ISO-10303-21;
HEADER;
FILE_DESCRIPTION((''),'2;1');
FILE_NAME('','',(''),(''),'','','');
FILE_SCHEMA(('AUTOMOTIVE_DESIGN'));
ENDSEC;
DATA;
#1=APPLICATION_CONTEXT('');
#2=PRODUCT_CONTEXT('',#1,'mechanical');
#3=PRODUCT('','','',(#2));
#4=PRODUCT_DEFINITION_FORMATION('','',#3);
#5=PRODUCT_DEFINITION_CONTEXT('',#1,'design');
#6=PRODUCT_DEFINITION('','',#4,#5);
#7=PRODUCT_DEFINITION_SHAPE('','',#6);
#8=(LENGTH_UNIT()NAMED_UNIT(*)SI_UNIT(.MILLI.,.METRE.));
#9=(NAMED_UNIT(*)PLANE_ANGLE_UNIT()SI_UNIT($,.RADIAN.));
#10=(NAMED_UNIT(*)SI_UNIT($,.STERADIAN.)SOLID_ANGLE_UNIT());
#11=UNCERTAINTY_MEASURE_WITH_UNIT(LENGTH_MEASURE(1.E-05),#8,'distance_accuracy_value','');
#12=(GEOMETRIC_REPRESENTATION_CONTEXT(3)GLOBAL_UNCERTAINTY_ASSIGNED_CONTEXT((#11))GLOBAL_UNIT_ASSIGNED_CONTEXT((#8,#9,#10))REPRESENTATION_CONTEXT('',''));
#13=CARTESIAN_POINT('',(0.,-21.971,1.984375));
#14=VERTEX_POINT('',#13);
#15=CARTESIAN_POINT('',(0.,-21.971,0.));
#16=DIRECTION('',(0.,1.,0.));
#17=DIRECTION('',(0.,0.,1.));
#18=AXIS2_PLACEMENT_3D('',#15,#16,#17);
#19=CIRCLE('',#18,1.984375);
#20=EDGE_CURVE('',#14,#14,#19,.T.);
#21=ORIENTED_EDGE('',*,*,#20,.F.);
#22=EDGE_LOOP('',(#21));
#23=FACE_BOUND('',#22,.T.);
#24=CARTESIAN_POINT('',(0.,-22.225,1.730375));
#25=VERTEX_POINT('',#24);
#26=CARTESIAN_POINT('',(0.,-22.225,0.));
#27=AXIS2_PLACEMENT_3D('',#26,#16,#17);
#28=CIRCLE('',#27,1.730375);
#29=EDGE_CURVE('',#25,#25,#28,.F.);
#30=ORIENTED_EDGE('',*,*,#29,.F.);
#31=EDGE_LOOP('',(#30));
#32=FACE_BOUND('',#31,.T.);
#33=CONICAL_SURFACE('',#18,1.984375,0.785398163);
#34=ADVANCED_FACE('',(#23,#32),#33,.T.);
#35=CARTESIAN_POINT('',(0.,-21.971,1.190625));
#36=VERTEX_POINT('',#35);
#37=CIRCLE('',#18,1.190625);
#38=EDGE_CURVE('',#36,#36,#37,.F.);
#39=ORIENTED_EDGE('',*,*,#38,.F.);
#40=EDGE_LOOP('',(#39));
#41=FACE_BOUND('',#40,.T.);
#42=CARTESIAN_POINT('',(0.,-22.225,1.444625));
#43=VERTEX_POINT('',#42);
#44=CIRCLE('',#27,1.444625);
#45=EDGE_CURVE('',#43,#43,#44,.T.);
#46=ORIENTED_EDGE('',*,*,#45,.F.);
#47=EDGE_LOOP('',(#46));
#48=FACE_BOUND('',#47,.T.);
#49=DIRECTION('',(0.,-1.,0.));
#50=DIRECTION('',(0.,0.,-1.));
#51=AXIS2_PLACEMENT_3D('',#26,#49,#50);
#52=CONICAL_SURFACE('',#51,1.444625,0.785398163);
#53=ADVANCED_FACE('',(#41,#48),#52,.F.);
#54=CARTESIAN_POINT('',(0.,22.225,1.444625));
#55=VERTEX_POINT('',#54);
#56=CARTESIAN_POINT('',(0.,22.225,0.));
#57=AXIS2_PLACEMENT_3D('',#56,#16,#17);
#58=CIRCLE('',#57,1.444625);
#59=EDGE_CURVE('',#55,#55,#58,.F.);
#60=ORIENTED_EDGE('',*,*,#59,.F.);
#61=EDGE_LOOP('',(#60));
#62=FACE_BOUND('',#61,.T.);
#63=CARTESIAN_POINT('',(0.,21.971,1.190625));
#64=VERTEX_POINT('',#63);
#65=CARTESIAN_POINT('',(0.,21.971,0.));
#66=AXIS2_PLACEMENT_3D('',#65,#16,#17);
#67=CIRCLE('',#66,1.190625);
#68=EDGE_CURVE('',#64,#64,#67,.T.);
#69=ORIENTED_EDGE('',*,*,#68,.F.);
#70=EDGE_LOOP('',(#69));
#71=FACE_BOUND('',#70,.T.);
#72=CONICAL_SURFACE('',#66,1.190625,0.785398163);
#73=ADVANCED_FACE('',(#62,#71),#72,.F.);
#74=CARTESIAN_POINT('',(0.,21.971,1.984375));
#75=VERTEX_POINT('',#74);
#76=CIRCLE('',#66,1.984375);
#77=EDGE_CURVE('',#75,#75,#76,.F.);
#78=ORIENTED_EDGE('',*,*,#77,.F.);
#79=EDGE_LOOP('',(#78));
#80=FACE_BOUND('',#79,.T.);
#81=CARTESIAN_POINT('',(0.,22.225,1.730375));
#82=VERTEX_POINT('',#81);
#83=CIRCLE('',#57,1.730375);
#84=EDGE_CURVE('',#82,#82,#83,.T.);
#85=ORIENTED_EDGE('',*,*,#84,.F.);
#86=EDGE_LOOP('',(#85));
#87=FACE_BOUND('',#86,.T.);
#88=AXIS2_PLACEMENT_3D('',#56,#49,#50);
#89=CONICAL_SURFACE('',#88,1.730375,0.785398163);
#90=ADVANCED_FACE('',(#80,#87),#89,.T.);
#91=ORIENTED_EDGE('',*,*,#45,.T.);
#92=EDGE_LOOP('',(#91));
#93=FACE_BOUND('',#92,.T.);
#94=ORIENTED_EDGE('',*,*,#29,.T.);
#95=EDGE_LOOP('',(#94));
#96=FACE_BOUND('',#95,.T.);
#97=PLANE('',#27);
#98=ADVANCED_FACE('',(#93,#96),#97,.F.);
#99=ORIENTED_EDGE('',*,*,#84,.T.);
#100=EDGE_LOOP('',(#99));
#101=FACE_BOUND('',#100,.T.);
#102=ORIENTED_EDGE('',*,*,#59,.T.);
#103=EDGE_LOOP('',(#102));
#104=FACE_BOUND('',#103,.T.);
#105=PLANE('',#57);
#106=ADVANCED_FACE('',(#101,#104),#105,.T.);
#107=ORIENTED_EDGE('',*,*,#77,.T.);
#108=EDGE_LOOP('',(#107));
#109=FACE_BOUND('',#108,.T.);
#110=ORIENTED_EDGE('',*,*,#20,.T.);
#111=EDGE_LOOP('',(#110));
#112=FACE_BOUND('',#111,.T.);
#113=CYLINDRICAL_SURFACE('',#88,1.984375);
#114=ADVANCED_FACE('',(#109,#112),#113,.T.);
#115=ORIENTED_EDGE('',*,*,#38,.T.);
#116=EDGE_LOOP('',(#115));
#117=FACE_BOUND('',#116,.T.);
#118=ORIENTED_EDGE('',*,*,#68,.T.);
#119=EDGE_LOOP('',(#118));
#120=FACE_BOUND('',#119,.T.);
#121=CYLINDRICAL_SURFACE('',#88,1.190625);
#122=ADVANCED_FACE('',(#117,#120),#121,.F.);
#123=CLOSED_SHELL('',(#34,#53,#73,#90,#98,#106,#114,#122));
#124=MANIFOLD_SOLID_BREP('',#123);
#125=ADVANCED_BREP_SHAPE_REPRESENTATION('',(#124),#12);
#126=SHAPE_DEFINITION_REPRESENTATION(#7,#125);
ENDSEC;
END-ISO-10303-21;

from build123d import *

# Parameters (mm, degrees)
SKETCH1_R           = 1.984375
SKETCH1_R_2         = 1.190625
BOSS_EXTRUDE1_DEPTH = 22.225
CHAMFER1_SIZE       = 0.254


with BuildPart() as part:
    # Sketch1 → Boss-Extrude1 (new body, symmetric)
    with BuildSketch(Plane(origin=(0, 0, 0), x_dir=(1, 0, 0), z_dir=(0, 1, 0))):
        Circle(SKETCH1_R)
        Circle(SKETCH1_R_2, mode=Mode.SUBTRACT)
    extrude(amount=BOSS_EXTRUDE1_DEPTH, both=True)

    # Chamfer1
    chamfer1_edges = [part.edges().sort_by_distance(p)[0] for p in [
        (-1.984375, -22.225, 0),
        (-1.984375, 22.225, 0),
        (-1.190625, -22.225, 0),
        (-1.190625, 22.225, 0),
    ]]
    chamfer(chamfer1_edges, length=CHAMFER1_SIZE)


solid = part.part
